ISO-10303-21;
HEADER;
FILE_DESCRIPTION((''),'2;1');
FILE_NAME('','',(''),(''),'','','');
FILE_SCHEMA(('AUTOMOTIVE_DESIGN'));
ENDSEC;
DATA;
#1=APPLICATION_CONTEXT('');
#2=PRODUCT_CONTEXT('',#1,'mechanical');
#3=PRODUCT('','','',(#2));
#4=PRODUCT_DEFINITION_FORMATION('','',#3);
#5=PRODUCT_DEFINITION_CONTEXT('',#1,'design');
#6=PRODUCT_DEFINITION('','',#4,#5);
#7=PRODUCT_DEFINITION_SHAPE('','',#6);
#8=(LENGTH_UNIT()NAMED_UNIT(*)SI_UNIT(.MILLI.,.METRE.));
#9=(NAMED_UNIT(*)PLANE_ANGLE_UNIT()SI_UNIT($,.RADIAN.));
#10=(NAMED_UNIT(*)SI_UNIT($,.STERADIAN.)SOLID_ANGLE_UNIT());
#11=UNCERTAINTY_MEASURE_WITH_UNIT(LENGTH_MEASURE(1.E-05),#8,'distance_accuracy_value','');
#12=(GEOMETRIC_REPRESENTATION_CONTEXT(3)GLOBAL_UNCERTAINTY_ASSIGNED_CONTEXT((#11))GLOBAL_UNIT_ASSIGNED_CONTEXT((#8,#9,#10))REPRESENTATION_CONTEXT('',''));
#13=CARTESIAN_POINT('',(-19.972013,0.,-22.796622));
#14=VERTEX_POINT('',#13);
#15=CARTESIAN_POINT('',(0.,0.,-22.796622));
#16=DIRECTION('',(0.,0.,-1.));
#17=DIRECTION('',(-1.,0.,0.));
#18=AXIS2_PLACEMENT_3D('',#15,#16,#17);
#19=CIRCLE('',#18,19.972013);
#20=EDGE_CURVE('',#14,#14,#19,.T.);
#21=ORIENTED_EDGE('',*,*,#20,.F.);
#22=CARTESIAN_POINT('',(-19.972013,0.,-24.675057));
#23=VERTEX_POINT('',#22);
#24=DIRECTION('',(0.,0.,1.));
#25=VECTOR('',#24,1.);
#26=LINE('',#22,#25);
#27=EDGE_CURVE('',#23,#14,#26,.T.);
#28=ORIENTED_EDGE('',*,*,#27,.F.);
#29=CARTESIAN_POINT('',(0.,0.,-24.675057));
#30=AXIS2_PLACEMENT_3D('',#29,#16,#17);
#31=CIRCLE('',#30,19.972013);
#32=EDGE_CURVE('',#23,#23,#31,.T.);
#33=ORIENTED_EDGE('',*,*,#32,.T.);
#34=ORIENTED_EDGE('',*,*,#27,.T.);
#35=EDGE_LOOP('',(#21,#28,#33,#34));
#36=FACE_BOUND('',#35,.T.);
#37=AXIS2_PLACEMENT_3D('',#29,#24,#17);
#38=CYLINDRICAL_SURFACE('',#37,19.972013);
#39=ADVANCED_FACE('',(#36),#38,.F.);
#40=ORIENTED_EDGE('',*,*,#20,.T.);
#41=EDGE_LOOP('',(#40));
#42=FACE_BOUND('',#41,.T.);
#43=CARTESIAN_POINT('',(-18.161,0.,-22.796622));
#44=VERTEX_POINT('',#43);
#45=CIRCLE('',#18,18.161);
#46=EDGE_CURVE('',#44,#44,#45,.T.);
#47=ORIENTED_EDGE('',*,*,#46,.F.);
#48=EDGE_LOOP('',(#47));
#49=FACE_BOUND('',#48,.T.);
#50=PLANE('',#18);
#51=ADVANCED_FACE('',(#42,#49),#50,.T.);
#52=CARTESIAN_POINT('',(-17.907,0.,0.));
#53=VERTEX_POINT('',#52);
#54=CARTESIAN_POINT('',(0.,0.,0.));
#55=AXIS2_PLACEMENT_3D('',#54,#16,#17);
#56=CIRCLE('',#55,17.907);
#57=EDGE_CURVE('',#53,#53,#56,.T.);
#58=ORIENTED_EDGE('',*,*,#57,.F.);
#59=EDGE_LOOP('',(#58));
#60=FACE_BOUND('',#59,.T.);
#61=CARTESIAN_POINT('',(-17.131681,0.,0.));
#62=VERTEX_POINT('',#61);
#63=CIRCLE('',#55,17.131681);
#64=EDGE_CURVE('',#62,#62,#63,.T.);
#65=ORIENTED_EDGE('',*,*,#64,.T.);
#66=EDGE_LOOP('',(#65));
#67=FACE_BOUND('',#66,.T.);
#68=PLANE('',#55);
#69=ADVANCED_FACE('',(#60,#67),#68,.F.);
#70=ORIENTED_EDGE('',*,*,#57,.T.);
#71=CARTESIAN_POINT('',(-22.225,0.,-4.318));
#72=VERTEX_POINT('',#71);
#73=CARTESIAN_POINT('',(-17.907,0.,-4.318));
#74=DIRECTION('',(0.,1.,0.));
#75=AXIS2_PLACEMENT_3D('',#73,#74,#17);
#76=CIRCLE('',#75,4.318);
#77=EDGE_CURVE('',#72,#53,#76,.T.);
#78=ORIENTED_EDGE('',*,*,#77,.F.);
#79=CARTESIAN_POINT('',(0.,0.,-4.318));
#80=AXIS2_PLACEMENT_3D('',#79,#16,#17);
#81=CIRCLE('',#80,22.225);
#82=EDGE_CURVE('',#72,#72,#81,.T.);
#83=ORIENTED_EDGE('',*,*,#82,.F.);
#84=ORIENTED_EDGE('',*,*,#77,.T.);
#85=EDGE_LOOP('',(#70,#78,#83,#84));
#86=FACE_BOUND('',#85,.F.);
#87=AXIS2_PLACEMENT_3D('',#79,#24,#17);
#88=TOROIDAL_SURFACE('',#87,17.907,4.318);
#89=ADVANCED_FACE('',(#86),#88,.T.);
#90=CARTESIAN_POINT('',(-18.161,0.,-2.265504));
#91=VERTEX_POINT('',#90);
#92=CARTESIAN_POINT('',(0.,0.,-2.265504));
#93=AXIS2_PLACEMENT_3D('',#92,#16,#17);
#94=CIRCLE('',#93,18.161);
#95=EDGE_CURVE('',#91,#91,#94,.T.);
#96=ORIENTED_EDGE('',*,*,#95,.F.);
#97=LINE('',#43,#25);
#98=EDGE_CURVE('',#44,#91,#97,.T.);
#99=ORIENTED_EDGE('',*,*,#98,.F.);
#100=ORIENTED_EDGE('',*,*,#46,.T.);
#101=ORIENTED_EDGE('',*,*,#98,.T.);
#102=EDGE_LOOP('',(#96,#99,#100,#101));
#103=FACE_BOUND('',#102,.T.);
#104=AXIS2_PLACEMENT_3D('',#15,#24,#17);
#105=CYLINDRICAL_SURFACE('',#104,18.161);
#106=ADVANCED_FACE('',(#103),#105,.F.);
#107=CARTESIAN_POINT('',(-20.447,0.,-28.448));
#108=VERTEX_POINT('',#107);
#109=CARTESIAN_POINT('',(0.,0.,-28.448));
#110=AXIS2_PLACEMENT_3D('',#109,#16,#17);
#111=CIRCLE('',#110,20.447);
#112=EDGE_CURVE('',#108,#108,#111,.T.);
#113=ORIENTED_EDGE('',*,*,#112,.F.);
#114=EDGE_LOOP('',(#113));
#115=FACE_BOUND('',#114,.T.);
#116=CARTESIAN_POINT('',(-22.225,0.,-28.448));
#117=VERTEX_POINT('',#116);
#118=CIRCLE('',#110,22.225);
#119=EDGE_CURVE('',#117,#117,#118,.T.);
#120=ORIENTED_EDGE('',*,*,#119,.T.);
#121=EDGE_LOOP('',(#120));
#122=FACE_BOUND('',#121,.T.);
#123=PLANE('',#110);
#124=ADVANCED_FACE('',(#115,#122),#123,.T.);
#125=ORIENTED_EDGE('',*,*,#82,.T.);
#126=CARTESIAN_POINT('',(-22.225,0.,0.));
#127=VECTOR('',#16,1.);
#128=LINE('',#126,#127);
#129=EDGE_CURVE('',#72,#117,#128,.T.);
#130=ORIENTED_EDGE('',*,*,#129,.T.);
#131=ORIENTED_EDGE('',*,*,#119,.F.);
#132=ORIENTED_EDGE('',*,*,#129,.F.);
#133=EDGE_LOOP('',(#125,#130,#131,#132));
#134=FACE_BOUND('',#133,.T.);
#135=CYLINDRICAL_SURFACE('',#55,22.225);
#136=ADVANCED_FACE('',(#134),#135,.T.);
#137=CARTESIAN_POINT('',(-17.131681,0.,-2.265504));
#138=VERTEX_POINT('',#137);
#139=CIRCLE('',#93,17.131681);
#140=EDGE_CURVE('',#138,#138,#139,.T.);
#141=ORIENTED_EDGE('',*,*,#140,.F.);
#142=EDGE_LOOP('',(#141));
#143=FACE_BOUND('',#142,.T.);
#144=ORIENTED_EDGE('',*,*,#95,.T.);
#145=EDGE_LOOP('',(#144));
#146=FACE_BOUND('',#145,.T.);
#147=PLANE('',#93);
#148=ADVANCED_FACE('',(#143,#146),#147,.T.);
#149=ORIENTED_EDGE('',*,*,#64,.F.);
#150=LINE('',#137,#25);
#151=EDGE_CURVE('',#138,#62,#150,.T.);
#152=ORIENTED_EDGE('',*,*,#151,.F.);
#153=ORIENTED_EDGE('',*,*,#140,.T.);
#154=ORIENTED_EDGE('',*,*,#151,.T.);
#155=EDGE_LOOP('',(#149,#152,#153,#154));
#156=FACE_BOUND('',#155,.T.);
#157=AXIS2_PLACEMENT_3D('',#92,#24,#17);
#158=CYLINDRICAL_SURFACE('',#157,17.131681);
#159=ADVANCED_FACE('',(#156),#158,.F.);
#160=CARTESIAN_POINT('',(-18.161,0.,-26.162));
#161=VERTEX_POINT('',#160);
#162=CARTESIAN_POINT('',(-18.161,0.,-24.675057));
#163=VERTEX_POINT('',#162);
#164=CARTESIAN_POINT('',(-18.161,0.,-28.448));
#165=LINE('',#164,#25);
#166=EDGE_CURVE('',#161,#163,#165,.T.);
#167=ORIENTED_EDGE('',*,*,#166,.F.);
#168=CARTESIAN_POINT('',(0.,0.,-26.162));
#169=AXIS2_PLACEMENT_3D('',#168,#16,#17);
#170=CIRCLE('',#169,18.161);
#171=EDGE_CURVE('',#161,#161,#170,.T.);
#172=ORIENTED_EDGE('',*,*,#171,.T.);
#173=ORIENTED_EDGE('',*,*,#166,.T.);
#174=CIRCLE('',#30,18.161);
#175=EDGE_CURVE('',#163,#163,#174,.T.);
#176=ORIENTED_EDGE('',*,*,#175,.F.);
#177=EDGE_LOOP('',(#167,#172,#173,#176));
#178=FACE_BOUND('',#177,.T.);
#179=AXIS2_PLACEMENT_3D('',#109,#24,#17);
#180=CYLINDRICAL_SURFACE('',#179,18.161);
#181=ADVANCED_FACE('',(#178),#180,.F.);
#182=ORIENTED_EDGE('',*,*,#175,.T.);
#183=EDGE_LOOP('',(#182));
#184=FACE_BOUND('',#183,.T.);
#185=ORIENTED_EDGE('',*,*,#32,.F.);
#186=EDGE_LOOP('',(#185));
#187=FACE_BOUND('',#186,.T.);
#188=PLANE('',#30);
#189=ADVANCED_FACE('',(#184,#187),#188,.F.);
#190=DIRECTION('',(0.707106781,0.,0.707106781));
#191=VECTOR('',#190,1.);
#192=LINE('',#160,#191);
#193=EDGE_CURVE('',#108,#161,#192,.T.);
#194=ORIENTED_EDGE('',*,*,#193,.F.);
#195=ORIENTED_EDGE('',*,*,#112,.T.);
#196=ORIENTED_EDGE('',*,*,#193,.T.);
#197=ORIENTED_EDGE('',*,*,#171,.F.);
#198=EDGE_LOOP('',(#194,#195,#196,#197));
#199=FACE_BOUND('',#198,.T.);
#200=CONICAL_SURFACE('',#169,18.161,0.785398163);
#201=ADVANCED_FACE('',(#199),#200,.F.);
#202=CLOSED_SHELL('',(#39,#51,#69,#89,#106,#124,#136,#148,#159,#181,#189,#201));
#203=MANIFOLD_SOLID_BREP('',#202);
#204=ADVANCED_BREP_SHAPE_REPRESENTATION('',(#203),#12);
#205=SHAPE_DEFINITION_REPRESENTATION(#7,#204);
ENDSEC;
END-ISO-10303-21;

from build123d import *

# Parameters (mm, degrees)
F2_SIZE = 2.286
F3_R    = 4.318


with BuildPart() as f1:
    # F0 (on Front) → F1 (revolve)
    with BuildSketch(Plane.XZ):
        Polygon((-17.131681, 0), (-22.225, 0), (-22.225, -28.448), (-18.161, -28.448), (-18.161, -24.675057), (-19.972013, -24.675057), (-19.972013, -22.796622), (-18.161, -22.796622), (-18.161, -2.265504), (-17.131681, -2.265504), align=None)
    revolve(axis=Axis((0, 0, -14.224), (0, 0, -1)))

    # F2
    f2_edges = [f1.edges().sort_by_distance(p)[0] for p in [
        (18.161, 0, -28.448),
    ]]
    chamfer(f2_edges, length=F2_SIZE)

    # F3
    f3_edges = [f1.edges().sort_by_distance(p)[0] for p in [
        (22.225, 0, 0),
    ]]
    fillet(f3_edges, radius=F3_R)


solid = f1.part
